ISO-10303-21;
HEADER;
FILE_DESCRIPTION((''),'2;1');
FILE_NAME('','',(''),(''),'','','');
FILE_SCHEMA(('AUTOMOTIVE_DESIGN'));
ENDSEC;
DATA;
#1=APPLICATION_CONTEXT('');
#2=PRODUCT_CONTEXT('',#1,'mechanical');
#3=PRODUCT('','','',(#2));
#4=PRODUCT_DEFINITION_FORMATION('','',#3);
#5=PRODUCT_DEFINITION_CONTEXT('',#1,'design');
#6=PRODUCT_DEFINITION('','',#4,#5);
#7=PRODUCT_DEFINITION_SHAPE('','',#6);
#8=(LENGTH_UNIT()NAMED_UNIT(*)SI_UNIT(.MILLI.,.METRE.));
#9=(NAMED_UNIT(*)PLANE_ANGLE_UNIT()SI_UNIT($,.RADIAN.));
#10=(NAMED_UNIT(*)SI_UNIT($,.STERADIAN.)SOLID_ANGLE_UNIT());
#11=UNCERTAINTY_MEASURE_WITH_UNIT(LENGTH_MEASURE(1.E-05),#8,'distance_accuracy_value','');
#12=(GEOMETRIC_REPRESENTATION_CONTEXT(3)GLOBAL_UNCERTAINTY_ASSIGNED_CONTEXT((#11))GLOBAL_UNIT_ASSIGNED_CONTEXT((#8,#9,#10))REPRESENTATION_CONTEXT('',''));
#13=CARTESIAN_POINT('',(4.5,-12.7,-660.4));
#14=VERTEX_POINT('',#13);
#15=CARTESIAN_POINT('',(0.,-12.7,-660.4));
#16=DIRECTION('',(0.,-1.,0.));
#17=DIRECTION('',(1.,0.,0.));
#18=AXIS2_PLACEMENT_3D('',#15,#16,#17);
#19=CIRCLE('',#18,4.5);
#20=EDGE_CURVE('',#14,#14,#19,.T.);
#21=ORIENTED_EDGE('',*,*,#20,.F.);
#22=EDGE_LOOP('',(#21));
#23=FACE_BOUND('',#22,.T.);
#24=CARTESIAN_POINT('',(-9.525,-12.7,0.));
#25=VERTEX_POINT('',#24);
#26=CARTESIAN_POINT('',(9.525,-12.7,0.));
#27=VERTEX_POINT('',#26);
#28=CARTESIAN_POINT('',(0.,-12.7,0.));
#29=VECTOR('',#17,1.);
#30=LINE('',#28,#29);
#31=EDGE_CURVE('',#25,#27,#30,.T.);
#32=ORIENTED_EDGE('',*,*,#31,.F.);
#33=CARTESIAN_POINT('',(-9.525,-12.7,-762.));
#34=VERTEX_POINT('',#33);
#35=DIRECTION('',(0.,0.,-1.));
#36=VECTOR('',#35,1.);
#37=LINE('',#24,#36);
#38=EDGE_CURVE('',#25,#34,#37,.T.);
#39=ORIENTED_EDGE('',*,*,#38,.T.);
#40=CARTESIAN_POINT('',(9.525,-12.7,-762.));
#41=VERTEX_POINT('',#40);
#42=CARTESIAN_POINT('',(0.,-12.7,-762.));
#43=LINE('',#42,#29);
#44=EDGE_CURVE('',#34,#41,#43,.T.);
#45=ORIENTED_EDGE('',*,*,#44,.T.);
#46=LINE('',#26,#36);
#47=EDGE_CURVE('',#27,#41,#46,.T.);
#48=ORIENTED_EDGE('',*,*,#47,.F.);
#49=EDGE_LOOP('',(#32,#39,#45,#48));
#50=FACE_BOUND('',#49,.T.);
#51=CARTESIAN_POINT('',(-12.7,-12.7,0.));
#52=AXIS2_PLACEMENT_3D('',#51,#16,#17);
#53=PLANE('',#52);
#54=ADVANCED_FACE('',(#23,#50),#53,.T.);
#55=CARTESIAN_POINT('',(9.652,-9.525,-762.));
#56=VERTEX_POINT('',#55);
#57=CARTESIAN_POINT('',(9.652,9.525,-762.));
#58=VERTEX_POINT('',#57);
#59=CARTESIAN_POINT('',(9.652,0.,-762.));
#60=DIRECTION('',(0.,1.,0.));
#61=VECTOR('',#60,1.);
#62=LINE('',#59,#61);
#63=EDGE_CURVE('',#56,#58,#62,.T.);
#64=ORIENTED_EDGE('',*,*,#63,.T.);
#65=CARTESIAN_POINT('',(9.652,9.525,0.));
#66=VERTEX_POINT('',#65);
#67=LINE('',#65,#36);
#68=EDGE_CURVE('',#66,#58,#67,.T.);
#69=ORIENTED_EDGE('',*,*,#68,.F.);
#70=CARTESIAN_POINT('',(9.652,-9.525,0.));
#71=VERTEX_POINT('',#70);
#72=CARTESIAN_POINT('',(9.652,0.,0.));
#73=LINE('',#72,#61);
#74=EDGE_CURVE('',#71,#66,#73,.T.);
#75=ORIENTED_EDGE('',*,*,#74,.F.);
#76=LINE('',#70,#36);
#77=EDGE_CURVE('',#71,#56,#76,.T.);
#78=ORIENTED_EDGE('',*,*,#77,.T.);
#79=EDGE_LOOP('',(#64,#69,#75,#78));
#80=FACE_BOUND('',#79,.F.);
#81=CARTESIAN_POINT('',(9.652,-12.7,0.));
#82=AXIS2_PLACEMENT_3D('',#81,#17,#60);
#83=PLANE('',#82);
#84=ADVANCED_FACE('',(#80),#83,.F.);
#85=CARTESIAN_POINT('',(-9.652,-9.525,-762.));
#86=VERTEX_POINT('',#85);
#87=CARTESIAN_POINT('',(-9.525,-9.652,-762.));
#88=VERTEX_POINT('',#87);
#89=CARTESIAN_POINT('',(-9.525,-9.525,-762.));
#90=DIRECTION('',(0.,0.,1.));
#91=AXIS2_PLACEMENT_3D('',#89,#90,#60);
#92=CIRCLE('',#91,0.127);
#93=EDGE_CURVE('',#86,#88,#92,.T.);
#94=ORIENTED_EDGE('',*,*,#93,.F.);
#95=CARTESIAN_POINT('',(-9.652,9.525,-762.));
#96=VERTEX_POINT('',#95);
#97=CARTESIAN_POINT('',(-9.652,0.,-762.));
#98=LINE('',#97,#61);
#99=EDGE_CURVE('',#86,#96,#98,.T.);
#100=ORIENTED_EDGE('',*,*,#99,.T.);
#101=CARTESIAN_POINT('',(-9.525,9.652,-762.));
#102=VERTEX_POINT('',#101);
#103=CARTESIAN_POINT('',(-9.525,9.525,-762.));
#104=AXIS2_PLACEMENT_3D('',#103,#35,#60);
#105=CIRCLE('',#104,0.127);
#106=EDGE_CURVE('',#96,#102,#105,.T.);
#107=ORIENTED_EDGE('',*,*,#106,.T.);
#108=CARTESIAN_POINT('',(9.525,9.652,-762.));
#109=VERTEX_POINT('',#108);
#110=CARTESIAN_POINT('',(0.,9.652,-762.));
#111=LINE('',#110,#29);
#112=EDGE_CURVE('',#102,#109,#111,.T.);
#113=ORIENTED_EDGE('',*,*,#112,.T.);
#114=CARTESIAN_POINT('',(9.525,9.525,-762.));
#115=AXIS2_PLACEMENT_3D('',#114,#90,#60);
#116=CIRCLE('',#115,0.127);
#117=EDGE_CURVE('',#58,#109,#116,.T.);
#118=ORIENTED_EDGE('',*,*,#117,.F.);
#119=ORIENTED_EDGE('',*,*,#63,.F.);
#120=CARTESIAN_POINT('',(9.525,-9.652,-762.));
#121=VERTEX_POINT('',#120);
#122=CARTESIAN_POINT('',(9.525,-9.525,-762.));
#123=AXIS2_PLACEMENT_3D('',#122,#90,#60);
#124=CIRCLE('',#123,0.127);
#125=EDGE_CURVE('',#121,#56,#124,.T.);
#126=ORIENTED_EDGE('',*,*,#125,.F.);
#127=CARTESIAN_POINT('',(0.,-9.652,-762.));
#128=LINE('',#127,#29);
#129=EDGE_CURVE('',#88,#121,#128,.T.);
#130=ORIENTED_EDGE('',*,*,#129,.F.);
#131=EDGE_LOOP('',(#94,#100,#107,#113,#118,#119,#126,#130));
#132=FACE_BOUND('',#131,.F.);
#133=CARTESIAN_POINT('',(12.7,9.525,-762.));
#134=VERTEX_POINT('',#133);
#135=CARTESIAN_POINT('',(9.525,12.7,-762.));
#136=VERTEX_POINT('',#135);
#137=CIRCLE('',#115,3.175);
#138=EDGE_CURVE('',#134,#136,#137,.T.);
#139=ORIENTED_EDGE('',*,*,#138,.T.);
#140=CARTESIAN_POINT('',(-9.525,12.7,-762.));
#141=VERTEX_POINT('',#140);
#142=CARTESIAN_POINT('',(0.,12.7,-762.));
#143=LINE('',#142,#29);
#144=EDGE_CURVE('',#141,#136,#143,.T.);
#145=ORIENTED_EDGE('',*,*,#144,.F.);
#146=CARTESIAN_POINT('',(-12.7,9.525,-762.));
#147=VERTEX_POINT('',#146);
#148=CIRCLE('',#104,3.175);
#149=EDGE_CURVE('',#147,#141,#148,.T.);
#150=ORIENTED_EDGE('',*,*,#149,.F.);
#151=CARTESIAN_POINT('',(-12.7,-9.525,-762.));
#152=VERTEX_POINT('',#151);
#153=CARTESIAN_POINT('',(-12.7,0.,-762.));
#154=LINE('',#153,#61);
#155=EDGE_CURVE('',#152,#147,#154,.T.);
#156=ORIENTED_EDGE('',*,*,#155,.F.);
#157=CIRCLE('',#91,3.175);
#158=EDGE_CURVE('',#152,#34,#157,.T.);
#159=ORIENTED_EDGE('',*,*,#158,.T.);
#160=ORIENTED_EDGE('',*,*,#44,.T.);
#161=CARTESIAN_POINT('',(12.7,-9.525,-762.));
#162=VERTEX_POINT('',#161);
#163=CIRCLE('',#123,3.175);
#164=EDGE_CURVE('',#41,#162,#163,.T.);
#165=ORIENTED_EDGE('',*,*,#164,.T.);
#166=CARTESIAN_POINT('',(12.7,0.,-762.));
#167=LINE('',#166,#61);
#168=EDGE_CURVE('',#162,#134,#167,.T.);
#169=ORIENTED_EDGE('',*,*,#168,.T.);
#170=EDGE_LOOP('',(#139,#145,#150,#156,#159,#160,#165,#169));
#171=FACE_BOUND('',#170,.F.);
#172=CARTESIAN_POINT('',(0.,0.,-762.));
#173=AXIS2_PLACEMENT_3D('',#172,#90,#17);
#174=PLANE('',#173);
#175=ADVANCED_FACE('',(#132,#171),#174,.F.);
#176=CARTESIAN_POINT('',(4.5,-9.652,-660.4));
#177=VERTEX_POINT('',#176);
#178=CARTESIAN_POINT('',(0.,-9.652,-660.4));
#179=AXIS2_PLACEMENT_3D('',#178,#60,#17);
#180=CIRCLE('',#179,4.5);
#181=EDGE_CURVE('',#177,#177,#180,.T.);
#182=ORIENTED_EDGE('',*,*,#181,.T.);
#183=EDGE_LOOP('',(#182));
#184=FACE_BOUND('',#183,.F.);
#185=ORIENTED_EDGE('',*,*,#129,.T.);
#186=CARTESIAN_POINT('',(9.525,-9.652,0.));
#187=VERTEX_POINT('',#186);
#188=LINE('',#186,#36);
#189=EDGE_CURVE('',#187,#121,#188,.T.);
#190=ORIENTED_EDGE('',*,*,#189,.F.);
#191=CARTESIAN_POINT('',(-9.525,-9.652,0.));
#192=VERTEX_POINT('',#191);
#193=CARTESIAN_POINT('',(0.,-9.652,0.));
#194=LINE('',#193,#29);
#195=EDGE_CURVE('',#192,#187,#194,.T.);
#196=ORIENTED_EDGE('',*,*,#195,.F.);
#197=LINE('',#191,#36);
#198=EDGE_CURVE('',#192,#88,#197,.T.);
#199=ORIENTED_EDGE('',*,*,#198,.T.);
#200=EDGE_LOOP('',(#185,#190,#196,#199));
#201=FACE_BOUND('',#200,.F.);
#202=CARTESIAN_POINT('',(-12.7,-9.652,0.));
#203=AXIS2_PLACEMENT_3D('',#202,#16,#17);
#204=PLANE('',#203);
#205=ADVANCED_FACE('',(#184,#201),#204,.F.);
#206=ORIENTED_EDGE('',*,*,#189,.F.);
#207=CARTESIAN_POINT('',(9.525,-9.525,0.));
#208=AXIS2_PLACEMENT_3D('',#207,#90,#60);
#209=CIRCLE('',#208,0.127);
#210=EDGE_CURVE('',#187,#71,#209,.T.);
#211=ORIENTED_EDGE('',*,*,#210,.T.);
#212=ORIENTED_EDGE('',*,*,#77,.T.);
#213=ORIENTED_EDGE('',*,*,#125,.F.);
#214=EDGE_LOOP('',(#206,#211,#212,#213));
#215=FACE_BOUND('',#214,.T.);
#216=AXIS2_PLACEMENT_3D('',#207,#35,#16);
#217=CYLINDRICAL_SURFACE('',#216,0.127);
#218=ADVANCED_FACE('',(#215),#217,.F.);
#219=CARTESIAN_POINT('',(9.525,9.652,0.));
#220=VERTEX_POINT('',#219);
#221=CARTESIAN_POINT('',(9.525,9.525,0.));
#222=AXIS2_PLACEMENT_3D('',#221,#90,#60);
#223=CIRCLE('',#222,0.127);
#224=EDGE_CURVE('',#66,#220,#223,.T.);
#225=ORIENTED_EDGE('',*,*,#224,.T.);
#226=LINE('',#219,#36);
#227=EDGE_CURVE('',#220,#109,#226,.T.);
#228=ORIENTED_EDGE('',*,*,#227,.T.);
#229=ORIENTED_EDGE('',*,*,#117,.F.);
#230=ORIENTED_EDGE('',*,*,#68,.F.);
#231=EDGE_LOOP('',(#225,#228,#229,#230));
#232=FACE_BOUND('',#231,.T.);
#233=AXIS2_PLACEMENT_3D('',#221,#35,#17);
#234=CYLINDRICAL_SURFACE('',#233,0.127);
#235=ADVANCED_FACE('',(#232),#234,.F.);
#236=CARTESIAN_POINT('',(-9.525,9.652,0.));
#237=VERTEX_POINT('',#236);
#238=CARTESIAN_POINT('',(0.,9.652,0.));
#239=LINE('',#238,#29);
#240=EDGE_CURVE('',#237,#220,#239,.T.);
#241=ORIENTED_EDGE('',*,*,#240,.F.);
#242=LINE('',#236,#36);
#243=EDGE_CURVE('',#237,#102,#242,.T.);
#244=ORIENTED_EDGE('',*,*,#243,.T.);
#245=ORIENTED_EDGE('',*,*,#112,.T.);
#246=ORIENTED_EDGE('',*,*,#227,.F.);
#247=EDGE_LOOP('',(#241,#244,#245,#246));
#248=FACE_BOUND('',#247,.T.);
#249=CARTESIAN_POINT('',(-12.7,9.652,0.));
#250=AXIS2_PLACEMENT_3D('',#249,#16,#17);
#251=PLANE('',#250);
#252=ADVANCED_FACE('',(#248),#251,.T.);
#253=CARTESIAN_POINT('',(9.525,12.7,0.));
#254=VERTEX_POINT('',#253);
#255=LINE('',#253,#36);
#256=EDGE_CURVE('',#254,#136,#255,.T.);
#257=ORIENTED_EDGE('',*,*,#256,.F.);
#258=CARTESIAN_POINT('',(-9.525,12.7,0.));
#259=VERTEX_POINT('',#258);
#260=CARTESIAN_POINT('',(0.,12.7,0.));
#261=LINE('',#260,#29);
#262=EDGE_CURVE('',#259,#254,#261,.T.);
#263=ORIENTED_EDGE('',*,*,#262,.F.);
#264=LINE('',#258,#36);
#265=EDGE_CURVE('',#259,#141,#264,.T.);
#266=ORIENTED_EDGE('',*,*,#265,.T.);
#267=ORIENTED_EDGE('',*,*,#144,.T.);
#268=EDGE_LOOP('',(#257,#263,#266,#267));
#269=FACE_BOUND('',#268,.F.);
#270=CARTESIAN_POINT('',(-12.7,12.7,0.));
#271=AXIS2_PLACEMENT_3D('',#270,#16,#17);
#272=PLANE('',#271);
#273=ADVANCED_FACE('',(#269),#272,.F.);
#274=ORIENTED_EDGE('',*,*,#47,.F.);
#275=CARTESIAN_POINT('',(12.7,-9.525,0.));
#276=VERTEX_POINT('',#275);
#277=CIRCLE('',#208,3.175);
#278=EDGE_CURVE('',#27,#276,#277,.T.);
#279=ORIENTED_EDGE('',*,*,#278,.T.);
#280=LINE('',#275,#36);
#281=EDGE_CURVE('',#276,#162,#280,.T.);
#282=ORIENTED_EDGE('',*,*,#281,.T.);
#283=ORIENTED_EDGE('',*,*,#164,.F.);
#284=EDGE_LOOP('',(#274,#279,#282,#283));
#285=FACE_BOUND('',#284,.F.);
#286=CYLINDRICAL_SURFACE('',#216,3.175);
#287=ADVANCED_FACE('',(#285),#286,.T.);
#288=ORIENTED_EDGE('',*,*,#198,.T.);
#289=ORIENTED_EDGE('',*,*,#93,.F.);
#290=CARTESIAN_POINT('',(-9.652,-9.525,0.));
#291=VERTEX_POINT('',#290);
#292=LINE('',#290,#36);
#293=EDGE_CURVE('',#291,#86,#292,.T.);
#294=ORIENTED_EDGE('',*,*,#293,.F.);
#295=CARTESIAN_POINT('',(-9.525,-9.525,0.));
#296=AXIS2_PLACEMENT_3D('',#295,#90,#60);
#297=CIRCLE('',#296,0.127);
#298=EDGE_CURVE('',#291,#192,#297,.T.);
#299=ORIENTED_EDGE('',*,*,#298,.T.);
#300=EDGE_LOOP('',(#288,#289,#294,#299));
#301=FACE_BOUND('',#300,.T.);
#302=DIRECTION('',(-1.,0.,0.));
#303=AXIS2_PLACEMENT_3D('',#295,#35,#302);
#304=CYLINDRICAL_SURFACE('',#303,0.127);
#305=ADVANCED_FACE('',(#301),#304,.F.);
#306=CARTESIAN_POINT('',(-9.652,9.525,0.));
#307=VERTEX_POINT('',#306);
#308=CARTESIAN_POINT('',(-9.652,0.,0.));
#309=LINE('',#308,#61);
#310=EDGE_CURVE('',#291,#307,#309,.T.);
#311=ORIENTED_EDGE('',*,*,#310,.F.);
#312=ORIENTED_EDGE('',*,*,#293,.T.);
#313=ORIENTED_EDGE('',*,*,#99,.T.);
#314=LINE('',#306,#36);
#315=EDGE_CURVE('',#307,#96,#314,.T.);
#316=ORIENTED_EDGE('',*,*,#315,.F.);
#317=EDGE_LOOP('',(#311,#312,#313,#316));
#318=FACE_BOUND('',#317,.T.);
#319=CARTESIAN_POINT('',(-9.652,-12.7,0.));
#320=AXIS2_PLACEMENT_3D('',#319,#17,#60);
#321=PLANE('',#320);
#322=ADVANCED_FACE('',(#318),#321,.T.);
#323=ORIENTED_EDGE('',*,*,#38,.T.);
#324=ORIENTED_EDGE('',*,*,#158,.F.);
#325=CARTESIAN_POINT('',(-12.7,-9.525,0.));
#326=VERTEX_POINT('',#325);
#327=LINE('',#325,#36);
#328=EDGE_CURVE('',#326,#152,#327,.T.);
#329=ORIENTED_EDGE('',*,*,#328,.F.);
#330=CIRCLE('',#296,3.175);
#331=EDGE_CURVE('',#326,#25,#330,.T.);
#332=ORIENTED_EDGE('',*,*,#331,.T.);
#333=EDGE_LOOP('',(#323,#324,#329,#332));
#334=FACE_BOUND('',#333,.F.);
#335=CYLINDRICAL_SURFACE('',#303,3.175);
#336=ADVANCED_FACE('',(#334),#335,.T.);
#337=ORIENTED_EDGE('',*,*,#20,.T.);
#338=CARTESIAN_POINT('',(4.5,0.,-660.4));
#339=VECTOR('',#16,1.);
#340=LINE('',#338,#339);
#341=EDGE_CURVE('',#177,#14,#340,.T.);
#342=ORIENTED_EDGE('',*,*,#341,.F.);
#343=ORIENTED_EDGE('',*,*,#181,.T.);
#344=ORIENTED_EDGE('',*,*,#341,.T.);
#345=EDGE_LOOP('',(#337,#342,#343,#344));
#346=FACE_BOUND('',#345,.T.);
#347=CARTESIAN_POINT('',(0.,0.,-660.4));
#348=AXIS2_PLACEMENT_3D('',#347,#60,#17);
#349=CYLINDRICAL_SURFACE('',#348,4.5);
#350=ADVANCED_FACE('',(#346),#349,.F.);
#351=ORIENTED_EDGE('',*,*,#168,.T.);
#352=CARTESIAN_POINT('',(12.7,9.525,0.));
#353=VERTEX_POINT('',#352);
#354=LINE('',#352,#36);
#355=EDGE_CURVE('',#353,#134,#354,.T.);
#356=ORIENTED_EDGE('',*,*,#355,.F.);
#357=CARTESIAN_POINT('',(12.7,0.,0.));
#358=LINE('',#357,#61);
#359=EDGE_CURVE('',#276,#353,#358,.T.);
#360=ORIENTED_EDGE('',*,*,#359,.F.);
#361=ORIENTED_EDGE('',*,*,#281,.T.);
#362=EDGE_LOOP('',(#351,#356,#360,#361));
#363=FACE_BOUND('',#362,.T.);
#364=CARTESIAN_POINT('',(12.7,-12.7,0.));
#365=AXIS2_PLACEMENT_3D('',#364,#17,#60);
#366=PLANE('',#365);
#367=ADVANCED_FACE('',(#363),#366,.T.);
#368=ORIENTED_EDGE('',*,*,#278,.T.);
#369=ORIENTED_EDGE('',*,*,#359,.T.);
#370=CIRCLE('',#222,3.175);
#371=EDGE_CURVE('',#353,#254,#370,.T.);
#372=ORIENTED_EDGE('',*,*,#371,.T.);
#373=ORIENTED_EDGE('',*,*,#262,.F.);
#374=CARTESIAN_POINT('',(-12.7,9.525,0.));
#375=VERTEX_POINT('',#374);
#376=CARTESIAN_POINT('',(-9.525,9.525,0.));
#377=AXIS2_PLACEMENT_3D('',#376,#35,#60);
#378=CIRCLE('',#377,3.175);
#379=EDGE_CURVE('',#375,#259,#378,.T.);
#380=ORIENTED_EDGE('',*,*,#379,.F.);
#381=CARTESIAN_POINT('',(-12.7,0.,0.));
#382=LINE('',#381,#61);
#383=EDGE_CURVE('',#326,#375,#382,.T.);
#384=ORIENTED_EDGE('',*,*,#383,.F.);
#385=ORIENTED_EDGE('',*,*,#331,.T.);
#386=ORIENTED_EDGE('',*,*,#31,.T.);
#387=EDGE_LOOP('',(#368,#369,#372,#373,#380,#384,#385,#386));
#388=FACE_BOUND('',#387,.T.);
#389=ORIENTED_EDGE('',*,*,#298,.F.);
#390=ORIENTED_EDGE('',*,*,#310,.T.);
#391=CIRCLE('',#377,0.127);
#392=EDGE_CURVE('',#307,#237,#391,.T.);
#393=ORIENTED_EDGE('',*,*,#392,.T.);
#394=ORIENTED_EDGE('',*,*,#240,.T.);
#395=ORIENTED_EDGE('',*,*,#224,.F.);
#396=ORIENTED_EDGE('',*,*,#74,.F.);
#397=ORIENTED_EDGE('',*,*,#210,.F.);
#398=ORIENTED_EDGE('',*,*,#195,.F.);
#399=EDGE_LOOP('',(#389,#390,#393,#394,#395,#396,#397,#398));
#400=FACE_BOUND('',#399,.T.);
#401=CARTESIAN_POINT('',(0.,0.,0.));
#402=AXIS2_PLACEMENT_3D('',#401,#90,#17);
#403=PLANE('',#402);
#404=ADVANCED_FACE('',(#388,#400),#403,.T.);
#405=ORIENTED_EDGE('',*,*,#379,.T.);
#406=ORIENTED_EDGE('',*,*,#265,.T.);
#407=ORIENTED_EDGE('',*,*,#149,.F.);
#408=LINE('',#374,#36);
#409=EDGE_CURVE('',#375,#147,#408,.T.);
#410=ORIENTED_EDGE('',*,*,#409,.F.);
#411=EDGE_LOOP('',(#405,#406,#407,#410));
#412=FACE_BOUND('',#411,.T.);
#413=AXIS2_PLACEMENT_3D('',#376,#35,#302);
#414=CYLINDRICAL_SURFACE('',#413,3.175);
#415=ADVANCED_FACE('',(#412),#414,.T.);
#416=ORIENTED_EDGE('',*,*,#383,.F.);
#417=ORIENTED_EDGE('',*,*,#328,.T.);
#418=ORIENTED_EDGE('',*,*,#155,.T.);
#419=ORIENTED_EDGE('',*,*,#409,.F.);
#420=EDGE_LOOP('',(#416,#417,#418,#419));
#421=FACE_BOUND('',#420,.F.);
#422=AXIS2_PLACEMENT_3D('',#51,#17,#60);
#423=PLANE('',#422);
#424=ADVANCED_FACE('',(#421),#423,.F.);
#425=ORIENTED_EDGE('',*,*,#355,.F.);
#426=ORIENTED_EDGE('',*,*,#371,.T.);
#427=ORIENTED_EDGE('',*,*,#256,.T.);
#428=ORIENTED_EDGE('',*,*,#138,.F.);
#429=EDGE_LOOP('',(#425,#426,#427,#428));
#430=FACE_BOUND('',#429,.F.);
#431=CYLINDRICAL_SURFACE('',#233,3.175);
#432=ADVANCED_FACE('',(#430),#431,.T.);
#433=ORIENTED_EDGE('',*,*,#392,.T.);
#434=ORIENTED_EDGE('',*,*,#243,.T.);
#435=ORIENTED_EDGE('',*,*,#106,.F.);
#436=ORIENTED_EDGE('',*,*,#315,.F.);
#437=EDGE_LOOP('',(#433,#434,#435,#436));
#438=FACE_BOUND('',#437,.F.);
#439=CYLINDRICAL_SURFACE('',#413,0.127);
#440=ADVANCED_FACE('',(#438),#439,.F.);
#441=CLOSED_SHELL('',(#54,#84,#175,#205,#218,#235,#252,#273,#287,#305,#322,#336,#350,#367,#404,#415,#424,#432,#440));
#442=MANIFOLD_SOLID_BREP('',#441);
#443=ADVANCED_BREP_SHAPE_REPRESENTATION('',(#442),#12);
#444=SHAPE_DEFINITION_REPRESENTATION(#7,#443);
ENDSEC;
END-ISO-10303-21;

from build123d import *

# Parameters (mm, degrees)
F0_W     = 25.4
F0_H     = 25.4
F1_DEPTH = 762
F2_R     = 3.175
F3_T     = -3.048
F4_R     = 4.5
F5_DEPTH = 12.7


with BuildPart() as f1:
    # F0 (on Top) → F1 (new body)
    with BuildSketch(Plane.XY):
        Rectangle(F0_W, F0_H)
    extrude(amount=-F1_DEPTH)

    # F2
    f2_edges = [f1.edges().sort_by_distance(p)[0] for p in [
        (-12.7, 12.7, -381),
        (-12.7, -12.7, -381),
        (12.7, 12.7, -381),
        (12.7, -12.7, -381),
    ]]
    fillet(f2_edges, radius=F2_R)

    # F3
    f3_openings = [f1.faces().sort_by_distance(p)[0] for p in [
        (0, 0, 0),
        (0, 0, -762),
    ]]
    offset(amount=F3_T, openings=f3_openings)

    # F4 (on Front) → F5 (cut, through all)
    with BuildSketch(Plane.XZ):
        with Locations((0, -660.4)):
            Circle(F4_R)
    extrude(amount=F5_DEPTH, mode=Mode.SUBTRACT)


solid = f1.part
